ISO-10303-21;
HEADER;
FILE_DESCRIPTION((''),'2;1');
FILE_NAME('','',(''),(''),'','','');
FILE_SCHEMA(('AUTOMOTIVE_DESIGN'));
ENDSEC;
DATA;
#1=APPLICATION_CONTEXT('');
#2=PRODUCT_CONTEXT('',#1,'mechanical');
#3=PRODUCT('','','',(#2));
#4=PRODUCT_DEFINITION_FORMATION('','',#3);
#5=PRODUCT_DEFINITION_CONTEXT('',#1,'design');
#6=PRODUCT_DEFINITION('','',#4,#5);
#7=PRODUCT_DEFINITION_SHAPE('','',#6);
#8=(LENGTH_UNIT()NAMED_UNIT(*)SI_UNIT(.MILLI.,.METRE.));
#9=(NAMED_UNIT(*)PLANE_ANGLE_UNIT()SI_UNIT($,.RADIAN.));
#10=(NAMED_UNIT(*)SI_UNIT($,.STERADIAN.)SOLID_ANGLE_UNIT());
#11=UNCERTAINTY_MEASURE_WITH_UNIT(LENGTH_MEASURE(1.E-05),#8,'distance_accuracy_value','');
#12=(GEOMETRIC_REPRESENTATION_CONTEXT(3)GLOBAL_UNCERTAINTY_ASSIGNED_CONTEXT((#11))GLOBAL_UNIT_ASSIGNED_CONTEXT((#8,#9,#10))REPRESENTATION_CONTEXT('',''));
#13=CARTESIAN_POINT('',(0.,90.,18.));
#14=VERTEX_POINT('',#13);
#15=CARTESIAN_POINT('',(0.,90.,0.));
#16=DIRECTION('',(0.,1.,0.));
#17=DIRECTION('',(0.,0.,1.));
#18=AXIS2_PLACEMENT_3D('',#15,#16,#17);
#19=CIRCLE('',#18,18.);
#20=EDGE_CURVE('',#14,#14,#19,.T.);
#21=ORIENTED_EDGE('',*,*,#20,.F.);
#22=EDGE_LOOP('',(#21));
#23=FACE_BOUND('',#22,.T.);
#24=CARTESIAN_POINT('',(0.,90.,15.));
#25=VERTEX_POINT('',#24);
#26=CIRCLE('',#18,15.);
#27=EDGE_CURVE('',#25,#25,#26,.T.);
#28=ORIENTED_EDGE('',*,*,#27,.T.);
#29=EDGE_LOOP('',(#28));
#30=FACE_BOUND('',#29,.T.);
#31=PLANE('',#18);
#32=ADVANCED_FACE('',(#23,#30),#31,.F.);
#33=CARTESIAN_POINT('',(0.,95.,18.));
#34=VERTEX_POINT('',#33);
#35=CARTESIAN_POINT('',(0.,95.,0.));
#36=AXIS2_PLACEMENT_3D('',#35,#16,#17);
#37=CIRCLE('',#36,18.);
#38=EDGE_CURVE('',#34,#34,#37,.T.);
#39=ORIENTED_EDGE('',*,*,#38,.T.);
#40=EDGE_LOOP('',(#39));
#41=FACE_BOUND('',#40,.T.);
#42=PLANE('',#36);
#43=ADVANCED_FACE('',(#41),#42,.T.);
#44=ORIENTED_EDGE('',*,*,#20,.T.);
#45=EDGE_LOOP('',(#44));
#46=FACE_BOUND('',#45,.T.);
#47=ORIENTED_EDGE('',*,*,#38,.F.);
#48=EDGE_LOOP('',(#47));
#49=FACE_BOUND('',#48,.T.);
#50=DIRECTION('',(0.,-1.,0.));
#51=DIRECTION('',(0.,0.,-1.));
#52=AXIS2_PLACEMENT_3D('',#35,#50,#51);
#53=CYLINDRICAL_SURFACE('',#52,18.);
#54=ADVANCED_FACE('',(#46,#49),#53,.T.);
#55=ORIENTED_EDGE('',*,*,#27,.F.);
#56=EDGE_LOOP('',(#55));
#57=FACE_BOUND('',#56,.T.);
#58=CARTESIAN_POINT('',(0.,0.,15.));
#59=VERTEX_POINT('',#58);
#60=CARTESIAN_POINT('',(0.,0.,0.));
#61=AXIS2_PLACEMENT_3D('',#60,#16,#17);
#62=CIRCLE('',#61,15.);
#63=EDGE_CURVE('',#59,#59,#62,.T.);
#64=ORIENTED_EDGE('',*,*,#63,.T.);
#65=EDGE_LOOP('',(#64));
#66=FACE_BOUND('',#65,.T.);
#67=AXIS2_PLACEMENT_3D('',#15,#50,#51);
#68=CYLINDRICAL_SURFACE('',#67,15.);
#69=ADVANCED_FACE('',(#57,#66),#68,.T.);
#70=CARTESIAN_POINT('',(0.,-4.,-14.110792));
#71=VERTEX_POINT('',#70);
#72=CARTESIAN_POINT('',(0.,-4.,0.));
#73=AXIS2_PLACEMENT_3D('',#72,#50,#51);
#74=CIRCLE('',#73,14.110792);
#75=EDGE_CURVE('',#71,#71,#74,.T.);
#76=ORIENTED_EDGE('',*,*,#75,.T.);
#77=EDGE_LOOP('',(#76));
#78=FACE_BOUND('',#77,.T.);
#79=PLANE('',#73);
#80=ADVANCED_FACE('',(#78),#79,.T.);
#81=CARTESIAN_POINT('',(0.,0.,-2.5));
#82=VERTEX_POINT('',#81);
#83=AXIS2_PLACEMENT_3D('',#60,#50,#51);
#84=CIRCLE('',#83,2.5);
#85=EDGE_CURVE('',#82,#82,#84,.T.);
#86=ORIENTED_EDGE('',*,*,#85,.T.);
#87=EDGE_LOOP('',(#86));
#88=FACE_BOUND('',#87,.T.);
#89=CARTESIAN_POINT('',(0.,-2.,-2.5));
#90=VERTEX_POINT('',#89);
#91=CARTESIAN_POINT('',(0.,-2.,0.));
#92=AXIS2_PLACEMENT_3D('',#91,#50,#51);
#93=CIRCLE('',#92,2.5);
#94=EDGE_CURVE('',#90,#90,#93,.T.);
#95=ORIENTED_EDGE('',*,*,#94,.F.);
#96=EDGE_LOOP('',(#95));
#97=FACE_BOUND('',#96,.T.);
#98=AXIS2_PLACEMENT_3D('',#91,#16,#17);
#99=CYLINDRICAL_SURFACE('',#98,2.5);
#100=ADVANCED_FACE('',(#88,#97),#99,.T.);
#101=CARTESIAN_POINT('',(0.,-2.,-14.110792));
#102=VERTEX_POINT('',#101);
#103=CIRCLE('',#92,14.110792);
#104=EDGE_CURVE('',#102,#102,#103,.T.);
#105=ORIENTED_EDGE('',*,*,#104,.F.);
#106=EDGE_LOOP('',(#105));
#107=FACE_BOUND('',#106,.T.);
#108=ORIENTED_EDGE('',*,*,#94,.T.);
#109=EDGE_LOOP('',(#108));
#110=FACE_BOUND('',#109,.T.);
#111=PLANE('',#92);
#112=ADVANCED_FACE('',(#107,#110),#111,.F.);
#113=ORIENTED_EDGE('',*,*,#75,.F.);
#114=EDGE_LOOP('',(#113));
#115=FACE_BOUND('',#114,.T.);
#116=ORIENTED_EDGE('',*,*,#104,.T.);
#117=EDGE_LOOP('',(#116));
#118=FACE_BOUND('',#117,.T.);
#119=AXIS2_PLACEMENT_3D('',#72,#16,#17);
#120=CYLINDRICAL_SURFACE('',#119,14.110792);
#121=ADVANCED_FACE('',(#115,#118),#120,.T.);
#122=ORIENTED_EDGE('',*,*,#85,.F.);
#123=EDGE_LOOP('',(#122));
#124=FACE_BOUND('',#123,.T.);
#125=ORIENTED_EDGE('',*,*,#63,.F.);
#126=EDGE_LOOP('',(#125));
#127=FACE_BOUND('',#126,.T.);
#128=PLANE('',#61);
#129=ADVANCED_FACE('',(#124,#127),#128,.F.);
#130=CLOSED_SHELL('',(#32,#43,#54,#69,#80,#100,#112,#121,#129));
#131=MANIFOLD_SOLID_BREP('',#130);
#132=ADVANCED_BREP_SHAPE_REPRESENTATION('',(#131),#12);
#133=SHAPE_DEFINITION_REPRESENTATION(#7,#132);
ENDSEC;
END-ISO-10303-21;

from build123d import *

# Parameters (mm, degrees)
SKETCH1_R           = 15
BOSS_EXTRUDE1_DEPTH = 90
SKETCH2_R           = 18
BOSS_EXTRUDE2_DEPTH = 5
SKETCH3_R           = 2.5
BOSS_EXTRUDE3_DEPTH = 2
SKETCH4_R           = 14.11079173
BOSS_EXTRUDE4_DEPTH = 2


with BuildPart() as part:
    # Sketch1 → Boss-Extrude1 (new body)
    with BuildSketch(Plane(origin=(0, 0, 0), x_dir=(1, 0, 0), z_dir=(0, 1, 0))):
        Circle(SKETCH1_R)
    extrude(amount=BOSS_EXTRUDE1_DEPTH)

    # Sketch2 → Boss-Extrude2 (add)
    with BuildSketch(Plane(origin=(0, 90, 0), x_dir=(1, 0, 0), z_dir=(0, 1, 0))):
        Circle(SKETCH2_R)
    extrude(amount=BOSS_EXTRUDE2_DEPTH)

    # Sketch3 → Boss-Extrude3 (add)
    with BuildSketch(Plane.XZ):
        Circle(SKETCH3_R)
    extrude(amount=BOSS_EXTRUDE3_DEPTH)

    # Sketch4 → Boss-Extrude4 (add)
    with BuildSketch(Plane.XZ.offset(2)):
        Circle(SKETCH4_R)
    extrude(amount=BOSS_EXTRUDE4_DEPTH)


solid = part.part
